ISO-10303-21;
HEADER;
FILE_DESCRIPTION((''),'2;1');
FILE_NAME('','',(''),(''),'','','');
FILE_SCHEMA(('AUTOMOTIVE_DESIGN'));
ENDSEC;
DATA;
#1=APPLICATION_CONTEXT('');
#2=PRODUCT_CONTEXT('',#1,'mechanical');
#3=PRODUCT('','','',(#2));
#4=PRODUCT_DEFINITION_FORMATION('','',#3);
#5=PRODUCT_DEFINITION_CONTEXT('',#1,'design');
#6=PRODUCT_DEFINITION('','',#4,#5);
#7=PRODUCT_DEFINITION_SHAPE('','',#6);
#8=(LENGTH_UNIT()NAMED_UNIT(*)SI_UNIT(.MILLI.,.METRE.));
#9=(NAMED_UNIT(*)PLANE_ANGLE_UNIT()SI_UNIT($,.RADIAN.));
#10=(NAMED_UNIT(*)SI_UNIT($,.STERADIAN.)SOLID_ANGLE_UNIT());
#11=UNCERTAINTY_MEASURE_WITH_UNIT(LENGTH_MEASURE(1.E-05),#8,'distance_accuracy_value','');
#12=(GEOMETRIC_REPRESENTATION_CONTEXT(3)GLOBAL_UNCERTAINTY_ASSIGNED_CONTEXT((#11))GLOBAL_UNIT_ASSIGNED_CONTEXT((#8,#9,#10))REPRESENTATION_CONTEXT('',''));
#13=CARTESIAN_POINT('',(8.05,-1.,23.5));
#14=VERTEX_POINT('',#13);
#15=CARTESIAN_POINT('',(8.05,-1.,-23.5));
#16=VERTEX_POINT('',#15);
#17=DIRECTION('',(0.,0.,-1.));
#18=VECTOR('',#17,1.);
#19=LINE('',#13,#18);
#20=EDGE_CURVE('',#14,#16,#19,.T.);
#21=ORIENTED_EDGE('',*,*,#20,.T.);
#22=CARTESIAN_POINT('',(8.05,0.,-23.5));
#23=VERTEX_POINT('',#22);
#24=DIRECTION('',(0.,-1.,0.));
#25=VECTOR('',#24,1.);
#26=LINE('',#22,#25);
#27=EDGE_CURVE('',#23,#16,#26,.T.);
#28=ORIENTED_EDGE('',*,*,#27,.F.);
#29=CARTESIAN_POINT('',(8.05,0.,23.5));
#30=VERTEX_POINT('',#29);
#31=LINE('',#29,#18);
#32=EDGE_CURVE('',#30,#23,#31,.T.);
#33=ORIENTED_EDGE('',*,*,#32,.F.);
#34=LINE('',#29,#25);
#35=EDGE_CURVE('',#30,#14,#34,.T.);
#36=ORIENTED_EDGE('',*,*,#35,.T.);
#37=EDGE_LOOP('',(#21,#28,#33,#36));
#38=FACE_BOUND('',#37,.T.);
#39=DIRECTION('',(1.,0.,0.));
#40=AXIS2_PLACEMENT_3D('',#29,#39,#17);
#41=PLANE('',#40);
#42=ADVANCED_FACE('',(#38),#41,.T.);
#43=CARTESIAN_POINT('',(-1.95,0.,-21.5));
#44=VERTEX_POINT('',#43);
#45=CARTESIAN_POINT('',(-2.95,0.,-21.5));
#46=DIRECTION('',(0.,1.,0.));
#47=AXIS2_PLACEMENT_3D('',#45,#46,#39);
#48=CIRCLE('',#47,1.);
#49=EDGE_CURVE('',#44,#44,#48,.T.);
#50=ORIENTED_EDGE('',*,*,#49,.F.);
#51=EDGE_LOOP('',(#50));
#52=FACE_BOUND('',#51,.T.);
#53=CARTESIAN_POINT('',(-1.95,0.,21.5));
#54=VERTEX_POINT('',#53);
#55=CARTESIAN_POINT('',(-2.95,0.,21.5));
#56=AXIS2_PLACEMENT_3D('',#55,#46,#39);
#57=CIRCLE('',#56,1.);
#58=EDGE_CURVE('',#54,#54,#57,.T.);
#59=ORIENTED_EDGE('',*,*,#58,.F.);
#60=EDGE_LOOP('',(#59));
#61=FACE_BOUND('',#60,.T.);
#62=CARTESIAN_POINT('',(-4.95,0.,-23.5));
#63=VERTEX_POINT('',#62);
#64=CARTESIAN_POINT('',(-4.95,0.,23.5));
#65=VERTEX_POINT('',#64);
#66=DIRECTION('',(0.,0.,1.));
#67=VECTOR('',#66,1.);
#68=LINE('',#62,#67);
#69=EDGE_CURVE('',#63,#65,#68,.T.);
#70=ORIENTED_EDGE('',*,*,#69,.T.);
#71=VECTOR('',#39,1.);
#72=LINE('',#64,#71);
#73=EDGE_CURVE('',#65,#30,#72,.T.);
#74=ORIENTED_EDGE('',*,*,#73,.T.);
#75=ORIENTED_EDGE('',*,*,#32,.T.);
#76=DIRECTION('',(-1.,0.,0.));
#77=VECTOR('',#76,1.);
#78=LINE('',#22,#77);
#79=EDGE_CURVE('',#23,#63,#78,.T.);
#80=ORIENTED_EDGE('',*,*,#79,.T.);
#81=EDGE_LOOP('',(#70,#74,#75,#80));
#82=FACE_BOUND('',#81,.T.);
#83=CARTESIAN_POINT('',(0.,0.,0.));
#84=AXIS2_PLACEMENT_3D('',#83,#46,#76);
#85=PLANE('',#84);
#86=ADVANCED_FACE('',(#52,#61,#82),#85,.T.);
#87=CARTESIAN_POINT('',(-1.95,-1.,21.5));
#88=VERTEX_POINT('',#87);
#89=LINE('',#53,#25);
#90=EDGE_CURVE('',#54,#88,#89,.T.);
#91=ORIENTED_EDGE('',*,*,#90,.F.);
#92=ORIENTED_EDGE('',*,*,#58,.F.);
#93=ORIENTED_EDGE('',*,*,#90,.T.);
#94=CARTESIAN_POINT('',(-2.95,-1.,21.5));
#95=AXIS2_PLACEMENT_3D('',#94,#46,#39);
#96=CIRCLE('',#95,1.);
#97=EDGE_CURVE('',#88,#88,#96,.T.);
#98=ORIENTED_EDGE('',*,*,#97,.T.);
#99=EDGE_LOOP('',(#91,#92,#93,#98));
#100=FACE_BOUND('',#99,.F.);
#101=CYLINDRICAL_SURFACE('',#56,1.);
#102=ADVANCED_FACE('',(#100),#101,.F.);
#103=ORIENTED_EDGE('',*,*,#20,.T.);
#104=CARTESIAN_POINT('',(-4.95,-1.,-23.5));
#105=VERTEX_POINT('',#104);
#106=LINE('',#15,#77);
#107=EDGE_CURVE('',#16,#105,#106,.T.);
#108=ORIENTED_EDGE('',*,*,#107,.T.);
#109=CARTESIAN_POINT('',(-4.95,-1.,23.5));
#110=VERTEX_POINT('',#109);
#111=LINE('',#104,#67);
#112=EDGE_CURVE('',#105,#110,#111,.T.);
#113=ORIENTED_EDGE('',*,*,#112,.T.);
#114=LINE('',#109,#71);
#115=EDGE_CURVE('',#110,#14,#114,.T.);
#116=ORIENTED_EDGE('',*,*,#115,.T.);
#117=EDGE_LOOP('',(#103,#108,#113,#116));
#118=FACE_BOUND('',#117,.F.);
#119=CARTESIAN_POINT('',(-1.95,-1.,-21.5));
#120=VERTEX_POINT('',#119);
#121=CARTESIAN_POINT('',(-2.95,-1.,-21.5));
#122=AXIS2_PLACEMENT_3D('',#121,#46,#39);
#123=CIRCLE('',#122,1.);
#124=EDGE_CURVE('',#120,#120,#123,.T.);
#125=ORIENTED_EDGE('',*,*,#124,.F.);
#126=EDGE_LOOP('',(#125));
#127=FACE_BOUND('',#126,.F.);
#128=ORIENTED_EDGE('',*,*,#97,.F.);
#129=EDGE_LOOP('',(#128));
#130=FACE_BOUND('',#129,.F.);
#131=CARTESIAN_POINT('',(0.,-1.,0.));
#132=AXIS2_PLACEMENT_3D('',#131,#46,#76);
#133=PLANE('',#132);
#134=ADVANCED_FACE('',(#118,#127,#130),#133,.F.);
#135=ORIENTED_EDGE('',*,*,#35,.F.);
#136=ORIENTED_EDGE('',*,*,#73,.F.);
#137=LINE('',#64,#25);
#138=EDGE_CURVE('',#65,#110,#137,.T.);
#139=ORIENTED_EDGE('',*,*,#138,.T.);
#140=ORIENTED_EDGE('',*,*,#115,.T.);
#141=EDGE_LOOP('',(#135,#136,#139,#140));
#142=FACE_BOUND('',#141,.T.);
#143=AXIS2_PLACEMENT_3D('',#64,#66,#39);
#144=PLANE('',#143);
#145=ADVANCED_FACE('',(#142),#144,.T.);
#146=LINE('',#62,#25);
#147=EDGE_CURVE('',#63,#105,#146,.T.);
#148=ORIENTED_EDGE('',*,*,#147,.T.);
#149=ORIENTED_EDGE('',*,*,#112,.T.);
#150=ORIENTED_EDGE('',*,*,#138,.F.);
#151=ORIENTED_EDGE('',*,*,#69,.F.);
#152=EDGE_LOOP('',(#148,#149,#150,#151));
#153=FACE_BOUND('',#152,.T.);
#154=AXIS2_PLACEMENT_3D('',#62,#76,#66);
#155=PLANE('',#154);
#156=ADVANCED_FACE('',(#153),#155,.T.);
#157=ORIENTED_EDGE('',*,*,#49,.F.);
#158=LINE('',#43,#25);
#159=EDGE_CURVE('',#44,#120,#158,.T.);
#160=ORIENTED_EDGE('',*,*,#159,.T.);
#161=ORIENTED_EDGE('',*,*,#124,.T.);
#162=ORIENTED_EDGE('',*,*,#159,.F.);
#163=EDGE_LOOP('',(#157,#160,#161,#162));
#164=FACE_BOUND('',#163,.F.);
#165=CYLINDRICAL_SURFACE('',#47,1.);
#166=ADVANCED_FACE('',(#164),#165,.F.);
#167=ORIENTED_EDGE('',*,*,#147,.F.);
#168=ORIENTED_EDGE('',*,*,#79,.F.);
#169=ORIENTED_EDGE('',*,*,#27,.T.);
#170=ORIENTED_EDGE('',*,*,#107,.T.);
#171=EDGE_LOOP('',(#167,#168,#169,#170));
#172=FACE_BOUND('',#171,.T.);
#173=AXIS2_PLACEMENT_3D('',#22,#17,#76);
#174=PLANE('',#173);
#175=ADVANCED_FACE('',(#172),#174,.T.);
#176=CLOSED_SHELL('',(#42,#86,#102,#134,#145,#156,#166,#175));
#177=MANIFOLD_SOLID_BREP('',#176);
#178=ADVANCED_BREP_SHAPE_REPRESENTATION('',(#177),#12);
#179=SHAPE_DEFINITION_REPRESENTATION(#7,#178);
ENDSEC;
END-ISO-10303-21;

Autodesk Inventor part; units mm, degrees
ref_plane "YZ Plane" through (0, 0, 0) normal (1, 0, 0) x (0, 1, 0)
ref_plane "XZ Plane" through (0, 0, 0) normal (0, 1, 0) x (-1, 0, 0)
ref_plane "XY Plane" through (0, 0, 0) normal (0, 0, 1) x (1, 0, 0)
sketch "スケッチ1" plane through (0, 0, 0) normal (0, 1, 0) x (-1, 0, 0)
  line L0 (4.95, 23.5) -> (-8.05, 23.5)
  line L1 (-8.05, 23.5) -> (-8.05, -23.5)
  line L2 (-8.05, -23.5) -> (4.95, -23.5)
  line L3 (4.95, -23.5) -> (4.95, 23.5)
  point P0 (0, 0)
  dimension "d12" = 4.95
  dimension "d13" = 8.05
  dimension "d14" = 47
  dimension "d15" = 23.5
extrude "押し出し1" add sketch "スケッチ1" against normal blind 1
sketch "スケッチ2" plane through (0, 0, 0) normal (0, 1, 0) x (1, 0, 0)
  circle A0 centre (-2.95, 21.5) radius 1
  line L0 (8.05, -23.5) -> (8.05, 23.5) projected
  line L1 (8.05, 23.5) -> (-4.95, 23.5) projected
  circle A1 centre (-2.95, -21.5) radius 1
  line L2 (-4.95, -23.5) -> (8.05, -23.5) projected
  point P0 (0, 0)
  dimension "d4" = 2
  dimension "d5" = 11
  dimension "d6" = 2
  dimension "d7" = 2
  dimension "d8" = 11
  dimension "d9" = 2
extrude "押し出し2" cut sketch "スケッチ2" against normal blind 1
equation "\"d7\" = d4"
equation "\"d8\" = d5"
equation "\"d9\" = d6"
properties part number "kiban"
